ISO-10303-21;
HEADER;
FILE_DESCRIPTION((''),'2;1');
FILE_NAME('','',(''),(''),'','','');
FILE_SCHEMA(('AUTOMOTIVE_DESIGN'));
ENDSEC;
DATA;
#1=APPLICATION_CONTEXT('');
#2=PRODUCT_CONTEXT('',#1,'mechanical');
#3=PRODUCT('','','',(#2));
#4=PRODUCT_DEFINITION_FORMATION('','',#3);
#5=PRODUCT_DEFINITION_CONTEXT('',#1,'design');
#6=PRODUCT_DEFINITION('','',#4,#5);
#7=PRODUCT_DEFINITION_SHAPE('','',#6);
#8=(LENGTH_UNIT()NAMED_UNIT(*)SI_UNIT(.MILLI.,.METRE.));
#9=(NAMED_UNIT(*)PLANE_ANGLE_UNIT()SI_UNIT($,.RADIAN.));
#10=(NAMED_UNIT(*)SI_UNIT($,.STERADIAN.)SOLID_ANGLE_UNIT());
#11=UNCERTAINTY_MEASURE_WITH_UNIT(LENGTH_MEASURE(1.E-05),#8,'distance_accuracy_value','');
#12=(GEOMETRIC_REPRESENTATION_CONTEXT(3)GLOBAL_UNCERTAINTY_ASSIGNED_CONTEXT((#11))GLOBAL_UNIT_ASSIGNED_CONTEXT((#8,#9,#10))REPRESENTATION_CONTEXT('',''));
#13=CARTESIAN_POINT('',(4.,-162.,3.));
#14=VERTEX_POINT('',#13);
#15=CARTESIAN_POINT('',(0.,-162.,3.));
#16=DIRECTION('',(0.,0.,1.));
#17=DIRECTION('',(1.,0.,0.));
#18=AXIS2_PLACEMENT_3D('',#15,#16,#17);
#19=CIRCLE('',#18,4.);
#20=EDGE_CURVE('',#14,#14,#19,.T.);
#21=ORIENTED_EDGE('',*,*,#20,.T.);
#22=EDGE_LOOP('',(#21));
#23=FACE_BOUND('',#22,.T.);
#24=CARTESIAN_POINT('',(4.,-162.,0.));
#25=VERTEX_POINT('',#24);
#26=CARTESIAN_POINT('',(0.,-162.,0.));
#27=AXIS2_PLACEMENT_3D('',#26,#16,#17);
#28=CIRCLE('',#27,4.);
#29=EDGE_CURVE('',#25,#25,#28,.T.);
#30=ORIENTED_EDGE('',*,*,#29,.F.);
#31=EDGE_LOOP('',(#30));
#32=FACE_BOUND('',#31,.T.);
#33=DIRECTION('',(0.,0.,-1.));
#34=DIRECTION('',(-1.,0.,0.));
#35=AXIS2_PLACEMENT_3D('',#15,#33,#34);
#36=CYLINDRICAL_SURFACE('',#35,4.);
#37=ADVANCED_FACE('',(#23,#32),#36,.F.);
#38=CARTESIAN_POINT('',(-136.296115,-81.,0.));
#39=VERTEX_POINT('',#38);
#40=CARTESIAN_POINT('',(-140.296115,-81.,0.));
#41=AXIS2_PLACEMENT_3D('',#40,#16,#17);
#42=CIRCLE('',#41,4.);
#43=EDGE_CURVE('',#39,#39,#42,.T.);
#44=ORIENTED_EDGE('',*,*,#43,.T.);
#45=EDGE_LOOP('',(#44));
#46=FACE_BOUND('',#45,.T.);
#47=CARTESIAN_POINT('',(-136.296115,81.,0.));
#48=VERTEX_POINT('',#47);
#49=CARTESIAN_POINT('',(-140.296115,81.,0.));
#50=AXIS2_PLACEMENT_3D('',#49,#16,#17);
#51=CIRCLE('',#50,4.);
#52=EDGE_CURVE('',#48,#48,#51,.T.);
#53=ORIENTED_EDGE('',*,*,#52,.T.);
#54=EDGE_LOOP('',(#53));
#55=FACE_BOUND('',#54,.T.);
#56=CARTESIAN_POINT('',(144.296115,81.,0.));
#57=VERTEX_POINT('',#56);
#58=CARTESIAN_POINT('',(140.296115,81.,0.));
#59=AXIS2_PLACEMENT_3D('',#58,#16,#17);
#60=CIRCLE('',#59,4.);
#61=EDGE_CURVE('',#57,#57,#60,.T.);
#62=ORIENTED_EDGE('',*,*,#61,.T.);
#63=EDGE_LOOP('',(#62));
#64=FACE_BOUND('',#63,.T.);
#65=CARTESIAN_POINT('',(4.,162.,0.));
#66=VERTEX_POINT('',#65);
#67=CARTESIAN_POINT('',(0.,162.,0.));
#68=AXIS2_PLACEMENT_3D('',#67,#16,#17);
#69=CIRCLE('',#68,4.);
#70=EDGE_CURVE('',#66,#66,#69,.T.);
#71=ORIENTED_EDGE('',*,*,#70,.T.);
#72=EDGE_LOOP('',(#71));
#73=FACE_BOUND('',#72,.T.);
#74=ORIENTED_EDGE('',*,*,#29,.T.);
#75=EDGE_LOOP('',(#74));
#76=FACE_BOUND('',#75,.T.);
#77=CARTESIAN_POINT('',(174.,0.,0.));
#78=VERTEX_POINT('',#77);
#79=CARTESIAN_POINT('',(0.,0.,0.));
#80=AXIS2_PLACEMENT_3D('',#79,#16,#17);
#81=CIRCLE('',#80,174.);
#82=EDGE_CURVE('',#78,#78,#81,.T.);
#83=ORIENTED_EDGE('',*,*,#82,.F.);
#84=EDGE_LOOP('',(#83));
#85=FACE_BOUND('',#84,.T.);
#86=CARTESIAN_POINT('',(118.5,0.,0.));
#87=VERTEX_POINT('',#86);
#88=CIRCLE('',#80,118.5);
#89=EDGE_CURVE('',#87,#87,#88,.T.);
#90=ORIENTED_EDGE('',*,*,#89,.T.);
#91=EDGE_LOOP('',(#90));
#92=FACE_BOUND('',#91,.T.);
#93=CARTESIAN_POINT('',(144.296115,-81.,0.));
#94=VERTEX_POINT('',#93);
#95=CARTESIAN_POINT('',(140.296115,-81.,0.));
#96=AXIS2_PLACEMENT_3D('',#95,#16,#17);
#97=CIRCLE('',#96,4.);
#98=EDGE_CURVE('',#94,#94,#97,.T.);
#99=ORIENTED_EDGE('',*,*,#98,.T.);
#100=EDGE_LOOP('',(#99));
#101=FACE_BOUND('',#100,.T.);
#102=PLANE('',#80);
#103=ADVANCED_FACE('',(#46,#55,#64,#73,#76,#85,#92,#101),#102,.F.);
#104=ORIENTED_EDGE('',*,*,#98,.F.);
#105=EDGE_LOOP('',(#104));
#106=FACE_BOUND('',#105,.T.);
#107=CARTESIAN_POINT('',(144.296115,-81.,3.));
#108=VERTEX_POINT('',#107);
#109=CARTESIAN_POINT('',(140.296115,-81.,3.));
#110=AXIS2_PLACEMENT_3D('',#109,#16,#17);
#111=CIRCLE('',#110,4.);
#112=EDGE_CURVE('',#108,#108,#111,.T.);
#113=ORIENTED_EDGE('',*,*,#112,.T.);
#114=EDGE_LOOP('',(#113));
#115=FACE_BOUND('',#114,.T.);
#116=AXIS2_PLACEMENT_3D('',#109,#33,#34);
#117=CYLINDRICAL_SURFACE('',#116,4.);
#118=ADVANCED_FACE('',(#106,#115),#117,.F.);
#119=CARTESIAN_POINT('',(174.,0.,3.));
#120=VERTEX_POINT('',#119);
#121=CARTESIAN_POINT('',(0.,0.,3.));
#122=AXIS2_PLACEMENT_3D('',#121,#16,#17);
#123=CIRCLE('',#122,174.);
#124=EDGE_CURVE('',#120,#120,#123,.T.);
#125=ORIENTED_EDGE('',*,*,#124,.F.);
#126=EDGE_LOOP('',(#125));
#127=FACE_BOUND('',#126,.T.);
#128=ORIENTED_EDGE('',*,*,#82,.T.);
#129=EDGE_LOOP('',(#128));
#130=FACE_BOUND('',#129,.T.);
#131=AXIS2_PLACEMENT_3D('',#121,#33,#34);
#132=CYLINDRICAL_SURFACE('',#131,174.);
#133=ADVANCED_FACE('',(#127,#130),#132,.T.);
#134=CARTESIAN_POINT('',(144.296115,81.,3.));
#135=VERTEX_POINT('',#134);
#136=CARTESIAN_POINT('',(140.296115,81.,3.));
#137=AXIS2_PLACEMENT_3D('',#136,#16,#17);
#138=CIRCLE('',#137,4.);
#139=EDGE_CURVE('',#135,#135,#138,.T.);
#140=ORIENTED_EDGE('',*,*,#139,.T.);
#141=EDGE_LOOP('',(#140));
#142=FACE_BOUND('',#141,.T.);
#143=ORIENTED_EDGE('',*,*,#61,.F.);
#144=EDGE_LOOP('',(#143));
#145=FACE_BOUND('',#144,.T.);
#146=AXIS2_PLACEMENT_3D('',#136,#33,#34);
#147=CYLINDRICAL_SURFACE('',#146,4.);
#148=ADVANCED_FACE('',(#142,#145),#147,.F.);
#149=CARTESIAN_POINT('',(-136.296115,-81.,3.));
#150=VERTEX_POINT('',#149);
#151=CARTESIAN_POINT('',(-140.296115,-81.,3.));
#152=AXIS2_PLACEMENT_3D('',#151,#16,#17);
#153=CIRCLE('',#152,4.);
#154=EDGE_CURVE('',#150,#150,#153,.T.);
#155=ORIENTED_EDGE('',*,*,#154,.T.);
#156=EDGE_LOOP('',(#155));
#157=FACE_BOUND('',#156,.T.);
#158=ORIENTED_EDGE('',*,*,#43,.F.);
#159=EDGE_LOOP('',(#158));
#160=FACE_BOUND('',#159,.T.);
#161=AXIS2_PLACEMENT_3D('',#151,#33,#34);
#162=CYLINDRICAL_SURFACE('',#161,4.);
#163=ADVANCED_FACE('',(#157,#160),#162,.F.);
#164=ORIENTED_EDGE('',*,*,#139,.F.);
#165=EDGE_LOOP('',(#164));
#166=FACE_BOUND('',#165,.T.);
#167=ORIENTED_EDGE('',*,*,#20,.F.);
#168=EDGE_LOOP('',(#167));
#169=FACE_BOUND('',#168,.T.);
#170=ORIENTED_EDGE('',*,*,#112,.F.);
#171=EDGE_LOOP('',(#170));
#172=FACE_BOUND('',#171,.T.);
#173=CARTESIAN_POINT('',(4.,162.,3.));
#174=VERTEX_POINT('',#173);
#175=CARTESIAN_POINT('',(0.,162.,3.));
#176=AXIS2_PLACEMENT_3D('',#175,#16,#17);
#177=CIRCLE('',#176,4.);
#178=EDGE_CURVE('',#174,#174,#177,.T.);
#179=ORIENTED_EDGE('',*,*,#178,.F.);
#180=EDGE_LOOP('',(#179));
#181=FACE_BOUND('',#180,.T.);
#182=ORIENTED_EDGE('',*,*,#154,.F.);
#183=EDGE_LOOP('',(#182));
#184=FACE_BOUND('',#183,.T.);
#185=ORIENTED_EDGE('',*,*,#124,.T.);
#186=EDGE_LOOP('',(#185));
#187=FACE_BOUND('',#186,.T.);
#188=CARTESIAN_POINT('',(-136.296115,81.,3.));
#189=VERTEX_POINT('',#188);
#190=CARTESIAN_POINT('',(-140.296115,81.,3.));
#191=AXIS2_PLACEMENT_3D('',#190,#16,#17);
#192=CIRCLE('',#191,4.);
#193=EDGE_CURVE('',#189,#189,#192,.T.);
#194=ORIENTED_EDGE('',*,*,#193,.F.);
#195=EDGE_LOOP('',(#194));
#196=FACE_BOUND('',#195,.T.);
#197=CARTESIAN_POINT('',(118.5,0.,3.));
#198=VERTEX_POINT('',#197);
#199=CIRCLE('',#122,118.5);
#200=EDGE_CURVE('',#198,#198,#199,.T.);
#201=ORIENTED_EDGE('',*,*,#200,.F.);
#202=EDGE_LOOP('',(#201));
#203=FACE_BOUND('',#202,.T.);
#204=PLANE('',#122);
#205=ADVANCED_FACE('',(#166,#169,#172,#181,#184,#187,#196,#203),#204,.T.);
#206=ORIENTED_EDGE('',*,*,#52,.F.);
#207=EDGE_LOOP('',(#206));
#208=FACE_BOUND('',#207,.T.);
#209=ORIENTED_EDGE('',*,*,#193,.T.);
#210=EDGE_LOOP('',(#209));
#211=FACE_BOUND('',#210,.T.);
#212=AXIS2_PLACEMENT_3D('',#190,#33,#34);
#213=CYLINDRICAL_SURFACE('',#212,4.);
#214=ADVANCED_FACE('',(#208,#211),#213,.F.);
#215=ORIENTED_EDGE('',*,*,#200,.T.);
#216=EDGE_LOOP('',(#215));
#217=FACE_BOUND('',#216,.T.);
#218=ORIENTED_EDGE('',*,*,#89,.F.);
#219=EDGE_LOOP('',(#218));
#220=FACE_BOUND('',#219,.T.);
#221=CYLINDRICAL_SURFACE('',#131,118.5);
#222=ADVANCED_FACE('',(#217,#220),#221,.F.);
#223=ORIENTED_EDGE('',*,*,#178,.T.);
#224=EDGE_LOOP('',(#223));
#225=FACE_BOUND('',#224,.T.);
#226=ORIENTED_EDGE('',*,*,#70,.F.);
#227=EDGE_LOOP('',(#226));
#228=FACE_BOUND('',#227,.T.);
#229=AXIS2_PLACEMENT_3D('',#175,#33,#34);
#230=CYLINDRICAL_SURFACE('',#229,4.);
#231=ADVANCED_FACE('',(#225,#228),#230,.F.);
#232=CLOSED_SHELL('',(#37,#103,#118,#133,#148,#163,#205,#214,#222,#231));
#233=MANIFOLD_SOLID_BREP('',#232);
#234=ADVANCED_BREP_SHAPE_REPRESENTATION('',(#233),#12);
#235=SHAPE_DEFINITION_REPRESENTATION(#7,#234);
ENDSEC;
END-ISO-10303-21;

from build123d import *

# Parameters (mm, degrees)
SKETCH1_R           = 174
SKETCH1_R_2         = 4
SKETCH1_R_3         = 118.5
BOSS_EXTRUDE1_DEPTH = 3


with BuildPart() as part:
    # Sketch1 → Boss-Extrude1 (new body)
    with BuildSketch(Plane.XY):
        Circle(SKETCH1_R)
        with Locations((0, 162)):
            Circle(SKETCH1_R_2, mode=Mode.SUBTRACT)
        with Locations((140.296115413, 81)):
            Circle(SKETCH1_R_2, mode=Mode.SUBTRACT)
        with Locations((140.296115413, -81)):
            Circle(SKETCH1_R_2, mode=Mode.SUBTRACT)
        with Locations((0, -162)):
            Circle(SKETCH1_R_2, mode=Mode.SUBTRACT)
        with Locations((-140.296115413, -81)):
            Circle(SKETCH1_R_2, mode=Mode.SUBTRACT)
        with Locations((-140.296115413, 81)):
            Circle(SKETCH1_R_2, mode=Mode.SUBTRACT)
        Circle(SKETCH1_R_3, mode=Mode.SUBTRACT)
    extrude(amount=BOSS_EXTRUDE1_DEPTH)


solid = part.part
